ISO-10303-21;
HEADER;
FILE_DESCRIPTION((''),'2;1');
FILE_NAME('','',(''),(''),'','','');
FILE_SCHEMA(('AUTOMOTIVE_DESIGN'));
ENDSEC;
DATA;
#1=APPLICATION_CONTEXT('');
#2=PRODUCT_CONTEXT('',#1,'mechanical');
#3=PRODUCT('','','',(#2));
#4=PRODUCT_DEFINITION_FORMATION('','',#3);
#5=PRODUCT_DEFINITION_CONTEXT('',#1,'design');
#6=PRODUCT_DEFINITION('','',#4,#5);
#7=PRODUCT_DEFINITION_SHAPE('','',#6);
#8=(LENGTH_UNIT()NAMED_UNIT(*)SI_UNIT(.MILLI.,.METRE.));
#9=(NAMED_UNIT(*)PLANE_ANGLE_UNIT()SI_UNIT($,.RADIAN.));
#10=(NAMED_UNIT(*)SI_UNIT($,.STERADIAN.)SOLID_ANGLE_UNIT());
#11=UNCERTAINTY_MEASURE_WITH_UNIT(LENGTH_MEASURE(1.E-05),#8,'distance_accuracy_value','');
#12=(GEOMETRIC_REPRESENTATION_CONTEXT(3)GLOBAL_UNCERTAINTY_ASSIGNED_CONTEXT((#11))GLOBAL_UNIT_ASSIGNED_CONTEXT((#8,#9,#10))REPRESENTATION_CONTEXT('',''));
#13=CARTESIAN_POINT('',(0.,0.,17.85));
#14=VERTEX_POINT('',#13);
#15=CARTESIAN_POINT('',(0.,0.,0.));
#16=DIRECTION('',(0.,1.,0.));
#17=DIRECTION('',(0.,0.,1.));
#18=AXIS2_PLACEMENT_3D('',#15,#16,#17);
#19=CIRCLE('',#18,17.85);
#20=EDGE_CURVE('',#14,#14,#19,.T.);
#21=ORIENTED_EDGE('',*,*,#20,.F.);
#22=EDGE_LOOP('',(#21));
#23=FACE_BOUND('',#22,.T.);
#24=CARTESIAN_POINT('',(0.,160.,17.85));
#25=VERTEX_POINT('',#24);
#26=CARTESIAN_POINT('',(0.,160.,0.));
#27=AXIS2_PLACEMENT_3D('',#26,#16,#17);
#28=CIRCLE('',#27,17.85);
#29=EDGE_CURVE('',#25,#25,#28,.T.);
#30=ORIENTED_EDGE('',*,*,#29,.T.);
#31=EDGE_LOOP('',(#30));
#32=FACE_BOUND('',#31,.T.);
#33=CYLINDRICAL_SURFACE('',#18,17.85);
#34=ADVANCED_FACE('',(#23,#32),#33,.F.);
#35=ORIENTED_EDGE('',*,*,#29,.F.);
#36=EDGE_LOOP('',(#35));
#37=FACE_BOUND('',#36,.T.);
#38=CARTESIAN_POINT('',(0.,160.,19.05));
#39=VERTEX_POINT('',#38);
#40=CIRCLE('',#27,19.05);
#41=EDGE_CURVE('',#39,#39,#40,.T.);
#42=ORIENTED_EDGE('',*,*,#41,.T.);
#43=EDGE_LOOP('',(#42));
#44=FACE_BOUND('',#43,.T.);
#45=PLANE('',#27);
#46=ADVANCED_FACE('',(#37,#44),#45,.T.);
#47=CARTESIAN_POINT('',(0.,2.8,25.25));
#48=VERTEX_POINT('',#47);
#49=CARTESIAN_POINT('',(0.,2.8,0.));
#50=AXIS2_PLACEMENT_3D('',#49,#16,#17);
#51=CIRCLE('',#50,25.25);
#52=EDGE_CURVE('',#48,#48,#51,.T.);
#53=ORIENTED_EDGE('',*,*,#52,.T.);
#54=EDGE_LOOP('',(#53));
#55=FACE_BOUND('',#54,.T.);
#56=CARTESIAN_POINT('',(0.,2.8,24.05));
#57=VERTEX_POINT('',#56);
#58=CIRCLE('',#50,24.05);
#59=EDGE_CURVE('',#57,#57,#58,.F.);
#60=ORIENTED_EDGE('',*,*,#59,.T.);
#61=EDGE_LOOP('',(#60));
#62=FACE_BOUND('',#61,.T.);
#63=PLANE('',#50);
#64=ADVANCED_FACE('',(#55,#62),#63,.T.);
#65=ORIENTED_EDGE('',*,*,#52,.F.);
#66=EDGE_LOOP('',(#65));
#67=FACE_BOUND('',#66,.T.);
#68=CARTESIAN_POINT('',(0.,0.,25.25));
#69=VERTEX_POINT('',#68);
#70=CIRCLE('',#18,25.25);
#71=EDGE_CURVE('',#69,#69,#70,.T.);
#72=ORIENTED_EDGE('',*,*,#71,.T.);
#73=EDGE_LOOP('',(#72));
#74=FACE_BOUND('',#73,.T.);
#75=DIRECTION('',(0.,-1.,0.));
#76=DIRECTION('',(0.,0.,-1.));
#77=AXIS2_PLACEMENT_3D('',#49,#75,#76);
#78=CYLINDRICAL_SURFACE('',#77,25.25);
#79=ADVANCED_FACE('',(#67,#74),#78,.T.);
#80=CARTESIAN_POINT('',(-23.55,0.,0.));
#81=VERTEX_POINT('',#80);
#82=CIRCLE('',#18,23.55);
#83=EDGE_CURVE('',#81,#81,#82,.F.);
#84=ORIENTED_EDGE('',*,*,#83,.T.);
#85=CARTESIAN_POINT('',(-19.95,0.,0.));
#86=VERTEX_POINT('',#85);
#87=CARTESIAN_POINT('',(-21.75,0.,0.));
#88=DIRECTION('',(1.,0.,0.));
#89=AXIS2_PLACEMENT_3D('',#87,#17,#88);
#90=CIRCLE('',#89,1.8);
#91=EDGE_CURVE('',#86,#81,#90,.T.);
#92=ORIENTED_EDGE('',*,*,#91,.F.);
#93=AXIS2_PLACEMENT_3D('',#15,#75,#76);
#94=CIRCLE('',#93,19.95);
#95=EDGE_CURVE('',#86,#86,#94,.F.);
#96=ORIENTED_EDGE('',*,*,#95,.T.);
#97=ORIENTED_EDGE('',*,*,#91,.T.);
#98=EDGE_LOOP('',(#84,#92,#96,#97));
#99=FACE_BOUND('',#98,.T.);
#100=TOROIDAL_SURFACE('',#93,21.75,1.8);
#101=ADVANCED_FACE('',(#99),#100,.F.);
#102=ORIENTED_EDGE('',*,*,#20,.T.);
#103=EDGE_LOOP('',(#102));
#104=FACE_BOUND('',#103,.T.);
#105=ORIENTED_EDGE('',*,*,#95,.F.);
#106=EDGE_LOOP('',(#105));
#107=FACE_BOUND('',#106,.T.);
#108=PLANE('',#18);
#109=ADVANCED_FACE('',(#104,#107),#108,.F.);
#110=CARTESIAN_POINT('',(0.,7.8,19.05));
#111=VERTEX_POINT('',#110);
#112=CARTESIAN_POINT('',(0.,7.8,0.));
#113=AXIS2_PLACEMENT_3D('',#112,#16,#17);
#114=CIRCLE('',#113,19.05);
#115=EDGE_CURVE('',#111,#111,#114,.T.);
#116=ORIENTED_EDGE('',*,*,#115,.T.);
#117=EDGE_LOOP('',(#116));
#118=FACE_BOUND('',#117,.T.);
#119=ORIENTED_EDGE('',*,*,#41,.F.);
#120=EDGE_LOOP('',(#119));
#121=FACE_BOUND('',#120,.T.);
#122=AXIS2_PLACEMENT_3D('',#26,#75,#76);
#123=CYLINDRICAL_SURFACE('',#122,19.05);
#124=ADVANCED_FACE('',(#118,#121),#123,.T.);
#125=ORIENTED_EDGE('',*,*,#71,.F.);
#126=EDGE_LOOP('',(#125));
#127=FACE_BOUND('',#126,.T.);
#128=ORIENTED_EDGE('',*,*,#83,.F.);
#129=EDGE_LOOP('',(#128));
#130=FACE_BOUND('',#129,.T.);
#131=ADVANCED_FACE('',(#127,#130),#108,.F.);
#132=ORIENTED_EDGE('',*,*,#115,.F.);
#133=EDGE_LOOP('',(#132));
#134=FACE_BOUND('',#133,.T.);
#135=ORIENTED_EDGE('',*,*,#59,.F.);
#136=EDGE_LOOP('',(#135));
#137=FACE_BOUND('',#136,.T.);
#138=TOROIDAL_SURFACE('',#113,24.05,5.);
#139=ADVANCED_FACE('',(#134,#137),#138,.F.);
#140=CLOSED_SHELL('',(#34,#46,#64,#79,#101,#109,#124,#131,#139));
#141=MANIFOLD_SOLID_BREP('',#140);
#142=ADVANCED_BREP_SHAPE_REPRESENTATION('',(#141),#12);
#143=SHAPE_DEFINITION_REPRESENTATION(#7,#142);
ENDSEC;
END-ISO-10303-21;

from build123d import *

# Parameters (mm, degrees)
SKETCH_1_R          = 25.25
EXTRUDE_1_DEPTH     = 2.8
SKETCH_2_R          = 19.05
EXTRUDE_2_DEPTH     = 157.2
FILLET_1_R          = 5
SKETCH_3_R          = 17.85
CUT_EXTRUDE_1_DEPTH = 164.936344354
SKETCH_5_R          = 1.8


with BuildPart() as part:
    # 스케치1 → 보스-돌출1 (new body)
    with BuildSketch(Plane(origin=(0, 0, 0), x_dir=(1, 0, 0), z_dir=(0, 1, 0))):
        with Locations(Location((0, 0, 0), (0, 0, 270))):
            Circle(SKETCH_1_R)
    extrude(amount=EXTRUDE_1_DEPTH)

    # 스케치2 → 보스-돌출2 (add)
    with BuildSketch(Plane(origin=(0, 2.8, 0), x_dir=(1, 0, 0), z_dir=(0, 1, 0))):
        with Locations(Location((0, 0, 0), (0, 0, 270))):
            Circle(SKETCH_2_R)
    extrude(amount=EXTRUDE_2_DEPTH)

    # 필렛1
    fillet_1_edges = [part.edges().sort_by_distance(p)[0] for p in [
        (0, 2.8, -19.05),
    ]]
    fillet(fillet_1_edges, radius=FILLET_1_R)

    # 스케치3 → 컷-돌출1 (cut, through all)
    with BuildSketch(Plane(origin=(0, 160, 0), x_dir=(1, 0, 0), z_dir=(0, 1, 0))):
        with Locations(Location((0, 0, 0), (0, 0, 270))):
            Circle(SKETCH_3_R)
    extrude(amount=-CUT_EXTRUDE_1_DEPTH, mode=Mode.SUBTRACT)

    # 컷-스윕1: sweep along a path in 스케치4
    with BuildLine(Plane.XZ) as sweep_1_path:
        CenterArc((0, 0), 21.75, 0, 360)
    # 스케치5 → 컷-스윕1 (sweep, cut)
    with BuildSketch(Plane.XY):
        with Locations((-21.75, 0)):
            Circle(SKETCH_5_R)
    sweep(path=sweep_1_path.line, mode=Mode.SUBTRACT)


solid = part.part
